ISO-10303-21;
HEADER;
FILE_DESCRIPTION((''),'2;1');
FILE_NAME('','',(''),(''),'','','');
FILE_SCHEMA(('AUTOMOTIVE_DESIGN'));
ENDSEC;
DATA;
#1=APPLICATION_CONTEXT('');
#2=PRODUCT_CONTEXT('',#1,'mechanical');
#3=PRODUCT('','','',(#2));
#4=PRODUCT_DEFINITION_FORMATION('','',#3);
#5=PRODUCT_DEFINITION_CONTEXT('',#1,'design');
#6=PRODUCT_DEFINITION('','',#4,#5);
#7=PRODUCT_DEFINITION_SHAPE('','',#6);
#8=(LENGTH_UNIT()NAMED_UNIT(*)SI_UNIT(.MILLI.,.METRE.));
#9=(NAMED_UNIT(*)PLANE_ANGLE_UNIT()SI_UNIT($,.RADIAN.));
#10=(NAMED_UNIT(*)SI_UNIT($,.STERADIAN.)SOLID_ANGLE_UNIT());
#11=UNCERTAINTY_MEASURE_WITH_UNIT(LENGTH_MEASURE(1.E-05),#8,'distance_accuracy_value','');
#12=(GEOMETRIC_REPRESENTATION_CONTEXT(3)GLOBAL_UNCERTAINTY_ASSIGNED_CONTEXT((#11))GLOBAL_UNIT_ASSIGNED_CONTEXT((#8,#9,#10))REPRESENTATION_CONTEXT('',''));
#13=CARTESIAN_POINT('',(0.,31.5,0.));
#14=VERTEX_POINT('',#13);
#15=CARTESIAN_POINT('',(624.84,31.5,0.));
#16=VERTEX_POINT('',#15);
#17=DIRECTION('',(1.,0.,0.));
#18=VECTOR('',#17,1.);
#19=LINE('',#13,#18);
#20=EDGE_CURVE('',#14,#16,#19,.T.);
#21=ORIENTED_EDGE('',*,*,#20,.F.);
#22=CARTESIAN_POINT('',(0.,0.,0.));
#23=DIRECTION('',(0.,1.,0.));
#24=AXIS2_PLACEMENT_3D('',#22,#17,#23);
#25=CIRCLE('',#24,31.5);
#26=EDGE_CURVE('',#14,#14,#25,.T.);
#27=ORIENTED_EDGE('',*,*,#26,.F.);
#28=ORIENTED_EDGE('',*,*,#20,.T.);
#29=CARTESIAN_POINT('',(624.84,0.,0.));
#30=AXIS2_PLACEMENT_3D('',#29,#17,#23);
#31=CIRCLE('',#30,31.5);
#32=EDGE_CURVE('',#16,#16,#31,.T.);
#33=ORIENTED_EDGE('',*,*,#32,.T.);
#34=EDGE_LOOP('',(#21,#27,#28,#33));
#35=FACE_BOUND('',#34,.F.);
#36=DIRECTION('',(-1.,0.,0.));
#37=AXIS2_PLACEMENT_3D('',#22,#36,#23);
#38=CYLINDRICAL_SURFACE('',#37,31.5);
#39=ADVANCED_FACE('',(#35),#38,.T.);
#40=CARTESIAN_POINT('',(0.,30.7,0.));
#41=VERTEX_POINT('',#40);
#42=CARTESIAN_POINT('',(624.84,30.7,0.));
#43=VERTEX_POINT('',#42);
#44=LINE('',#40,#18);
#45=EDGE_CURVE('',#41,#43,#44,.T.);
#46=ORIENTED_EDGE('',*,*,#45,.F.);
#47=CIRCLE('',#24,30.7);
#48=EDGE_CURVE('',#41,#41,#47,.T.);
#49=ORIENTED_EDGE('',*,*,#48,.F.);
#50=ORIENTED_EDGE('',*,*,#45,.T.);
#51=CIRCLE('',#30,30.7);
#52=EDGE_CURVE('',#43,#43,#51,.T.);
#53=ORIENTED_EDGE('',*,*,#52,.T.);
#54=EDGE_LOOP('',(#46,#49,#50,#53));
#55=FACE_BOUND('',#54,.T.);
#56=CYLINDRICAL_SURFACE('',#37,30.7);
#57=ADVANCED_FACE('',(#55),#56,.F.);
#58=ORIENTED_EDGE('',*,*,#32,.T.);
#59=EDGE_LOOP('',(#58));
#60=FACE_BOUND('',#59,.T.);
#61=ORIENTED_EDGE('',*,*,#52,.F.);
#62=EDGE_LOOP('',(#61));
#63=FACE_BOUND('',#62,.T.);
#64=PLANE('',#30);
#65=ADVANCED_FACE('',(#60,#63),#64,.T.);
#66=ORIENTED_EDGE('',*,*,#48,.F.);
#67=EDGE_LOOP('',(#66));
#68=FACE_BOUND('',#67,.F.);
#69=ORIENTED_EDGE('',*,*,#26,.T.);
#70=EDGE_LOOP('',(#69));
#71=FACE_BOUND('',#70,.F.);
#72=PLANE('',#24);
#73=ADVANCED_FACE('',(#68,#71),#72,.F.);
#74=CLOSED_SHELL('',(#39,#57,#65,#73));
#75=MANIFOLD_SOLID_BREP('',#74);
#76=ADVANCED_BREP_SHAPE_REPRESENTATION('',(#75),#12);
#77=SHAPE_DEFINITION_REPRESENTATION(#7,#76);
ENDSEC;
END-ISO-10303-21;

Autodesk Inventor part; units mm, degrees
ref_plane "YZ Plane" through (0, 0, 0) normal (1, 0, 0) x (0, 1, 0)
ref_plane "XZ Plane" through (0, 0, 0) normal (0, 1, 0) x (-1, 0, 0)
ref_plane "XY Plane" through (0, 0, 0) normal (0, 0, 1) x (1, 0, 0)
sketch "Sketch1" plane through (0, 0, 0) normal (1, 0, 0) x (0, 1, 0)
  circle A0 centre (0, 0) radius 31.5
  circle A1 centre (0, 0) radius 30.7
  dimension "d0" = 63
  dimension "d1" = 0.8
extrude "Extrusion1" add sketch "Sketch1" along normal blind 624.84
equation "\"d0\" = OD"
equation "\"d1\" = t"
equation "\"d2\" = L"
equation "\"OD\" = 63"
equation "\"t\" = 0.8"
equation "\"L\" = PL"
equation "\"ID\" = 61.4"
equation "\"PL\" = 624.84"
properties part number "ISO 4065 Pipe DN63x0.8xS40 - 624.84000000" material "PVC-Piping"
